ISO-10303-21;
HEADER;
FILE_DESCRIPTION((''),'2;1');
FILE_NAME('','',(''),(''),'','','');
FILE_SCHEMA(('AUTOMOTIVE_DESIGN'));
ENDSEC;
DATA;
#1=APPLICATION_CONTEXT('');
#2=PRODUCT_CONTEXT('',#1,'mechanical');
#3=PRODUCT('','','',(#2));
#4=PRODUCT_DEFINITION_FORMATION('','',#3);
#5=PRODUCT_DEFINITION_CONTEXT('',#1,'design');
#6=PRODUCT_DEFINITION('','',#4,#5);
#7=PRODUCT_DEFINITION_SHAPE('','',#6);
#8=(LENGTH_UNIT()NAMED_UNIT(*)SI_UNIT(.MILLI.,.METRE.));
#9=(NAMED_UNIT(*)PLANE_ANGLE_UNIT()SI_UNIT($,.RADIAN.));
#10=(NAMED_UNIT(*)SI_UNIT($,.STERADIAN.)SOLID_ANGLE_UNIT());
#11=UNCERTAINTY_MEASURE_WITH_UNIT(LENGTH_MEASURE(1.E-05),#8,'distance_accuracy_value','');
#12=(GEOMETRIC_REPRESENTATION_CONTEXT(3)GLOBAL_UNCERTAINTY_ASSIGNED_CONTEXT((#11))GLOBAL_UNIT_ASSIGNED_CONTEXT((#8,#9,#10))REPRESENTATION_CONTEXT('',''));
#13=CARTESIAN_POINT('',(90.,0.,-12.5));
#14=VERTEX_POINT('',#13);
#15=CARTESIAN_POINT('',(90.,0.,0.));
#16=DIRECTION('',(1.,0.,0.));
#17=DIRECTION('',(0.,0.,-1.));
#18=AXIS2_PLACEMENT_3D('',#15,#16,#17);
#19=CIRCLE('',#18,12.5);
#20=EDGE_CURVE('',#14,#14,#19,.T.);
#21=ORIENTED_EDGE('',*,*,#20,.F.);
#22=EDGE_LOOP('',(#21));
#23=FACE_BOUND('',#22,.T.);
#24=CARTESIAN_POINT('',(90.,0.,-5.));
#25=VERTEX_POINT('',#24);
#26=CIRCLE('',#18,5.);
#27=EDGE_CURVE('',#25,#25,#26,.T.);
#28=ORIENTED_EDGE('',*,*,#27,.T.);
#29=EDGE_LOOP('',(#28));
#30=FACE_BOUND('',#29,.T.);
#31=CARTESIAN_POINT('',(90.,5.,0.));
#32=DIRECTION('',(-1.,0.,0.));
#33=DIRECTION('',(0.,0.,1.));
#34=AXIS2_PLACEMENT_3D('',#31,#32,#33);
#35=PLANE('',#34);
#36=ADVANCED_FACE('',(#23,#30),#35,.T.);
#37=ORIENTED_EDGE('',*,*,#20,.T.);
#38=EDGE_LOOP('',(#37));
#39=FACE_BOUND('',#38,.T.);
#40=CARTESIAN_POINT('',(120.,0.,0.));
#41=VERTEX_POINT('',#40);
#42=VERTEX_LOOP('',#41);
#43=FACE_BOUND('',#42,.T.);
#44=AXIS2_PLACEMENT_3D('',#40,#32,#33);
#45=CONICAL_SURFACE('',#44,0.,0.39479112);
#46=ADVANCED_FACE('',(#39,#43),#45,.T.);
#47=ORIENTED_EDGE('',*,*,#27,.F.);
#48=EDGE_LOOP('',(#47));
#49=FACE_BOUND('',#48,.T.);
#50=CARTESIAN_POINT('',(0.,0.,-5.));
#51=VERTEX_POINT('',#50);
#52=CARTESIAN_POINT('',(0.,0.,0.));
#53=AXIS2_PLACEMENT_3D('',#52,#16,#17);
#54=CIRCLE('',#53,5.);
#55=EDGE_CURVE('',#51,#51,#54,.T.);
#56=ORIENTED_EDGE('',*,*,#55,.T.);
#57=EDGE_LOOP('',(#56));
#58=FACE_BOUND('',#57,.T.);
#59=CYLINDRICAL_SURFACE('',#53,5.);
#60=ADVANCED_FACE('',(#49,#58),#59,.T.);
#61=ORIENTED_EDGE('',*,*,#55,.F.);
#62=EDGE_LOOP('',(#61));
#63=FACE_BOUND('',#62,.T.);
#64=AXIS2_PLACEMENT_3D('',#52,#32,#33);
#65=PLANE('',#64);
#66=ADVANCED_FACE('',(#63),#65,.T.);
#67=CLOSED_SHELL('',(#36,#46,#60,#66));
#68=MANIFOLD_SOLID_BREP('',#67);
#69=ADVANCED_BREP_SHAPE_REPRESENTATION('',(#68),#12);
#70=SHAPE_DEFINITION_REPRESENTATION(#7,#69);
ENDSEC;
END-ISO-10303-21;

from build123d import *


with BuildPart() as part:
    # Sketch1 → Revolve1 (revolve)
    with BuildSketch(Plane.XY, mode=Mode.PRIVATE) as revolve1_sk:
        Polygon((0, 0), (0, 5), (90, 5), (90, 12.5), (120, 0), align=None)
    revolve(revolve1_sk.sketch.rotate(Axis((0, 0, 0), (-1, 0, 0)), 90), axis=Axis((0, 0, 0), (-1, 0, 0)))


solid = part.part
